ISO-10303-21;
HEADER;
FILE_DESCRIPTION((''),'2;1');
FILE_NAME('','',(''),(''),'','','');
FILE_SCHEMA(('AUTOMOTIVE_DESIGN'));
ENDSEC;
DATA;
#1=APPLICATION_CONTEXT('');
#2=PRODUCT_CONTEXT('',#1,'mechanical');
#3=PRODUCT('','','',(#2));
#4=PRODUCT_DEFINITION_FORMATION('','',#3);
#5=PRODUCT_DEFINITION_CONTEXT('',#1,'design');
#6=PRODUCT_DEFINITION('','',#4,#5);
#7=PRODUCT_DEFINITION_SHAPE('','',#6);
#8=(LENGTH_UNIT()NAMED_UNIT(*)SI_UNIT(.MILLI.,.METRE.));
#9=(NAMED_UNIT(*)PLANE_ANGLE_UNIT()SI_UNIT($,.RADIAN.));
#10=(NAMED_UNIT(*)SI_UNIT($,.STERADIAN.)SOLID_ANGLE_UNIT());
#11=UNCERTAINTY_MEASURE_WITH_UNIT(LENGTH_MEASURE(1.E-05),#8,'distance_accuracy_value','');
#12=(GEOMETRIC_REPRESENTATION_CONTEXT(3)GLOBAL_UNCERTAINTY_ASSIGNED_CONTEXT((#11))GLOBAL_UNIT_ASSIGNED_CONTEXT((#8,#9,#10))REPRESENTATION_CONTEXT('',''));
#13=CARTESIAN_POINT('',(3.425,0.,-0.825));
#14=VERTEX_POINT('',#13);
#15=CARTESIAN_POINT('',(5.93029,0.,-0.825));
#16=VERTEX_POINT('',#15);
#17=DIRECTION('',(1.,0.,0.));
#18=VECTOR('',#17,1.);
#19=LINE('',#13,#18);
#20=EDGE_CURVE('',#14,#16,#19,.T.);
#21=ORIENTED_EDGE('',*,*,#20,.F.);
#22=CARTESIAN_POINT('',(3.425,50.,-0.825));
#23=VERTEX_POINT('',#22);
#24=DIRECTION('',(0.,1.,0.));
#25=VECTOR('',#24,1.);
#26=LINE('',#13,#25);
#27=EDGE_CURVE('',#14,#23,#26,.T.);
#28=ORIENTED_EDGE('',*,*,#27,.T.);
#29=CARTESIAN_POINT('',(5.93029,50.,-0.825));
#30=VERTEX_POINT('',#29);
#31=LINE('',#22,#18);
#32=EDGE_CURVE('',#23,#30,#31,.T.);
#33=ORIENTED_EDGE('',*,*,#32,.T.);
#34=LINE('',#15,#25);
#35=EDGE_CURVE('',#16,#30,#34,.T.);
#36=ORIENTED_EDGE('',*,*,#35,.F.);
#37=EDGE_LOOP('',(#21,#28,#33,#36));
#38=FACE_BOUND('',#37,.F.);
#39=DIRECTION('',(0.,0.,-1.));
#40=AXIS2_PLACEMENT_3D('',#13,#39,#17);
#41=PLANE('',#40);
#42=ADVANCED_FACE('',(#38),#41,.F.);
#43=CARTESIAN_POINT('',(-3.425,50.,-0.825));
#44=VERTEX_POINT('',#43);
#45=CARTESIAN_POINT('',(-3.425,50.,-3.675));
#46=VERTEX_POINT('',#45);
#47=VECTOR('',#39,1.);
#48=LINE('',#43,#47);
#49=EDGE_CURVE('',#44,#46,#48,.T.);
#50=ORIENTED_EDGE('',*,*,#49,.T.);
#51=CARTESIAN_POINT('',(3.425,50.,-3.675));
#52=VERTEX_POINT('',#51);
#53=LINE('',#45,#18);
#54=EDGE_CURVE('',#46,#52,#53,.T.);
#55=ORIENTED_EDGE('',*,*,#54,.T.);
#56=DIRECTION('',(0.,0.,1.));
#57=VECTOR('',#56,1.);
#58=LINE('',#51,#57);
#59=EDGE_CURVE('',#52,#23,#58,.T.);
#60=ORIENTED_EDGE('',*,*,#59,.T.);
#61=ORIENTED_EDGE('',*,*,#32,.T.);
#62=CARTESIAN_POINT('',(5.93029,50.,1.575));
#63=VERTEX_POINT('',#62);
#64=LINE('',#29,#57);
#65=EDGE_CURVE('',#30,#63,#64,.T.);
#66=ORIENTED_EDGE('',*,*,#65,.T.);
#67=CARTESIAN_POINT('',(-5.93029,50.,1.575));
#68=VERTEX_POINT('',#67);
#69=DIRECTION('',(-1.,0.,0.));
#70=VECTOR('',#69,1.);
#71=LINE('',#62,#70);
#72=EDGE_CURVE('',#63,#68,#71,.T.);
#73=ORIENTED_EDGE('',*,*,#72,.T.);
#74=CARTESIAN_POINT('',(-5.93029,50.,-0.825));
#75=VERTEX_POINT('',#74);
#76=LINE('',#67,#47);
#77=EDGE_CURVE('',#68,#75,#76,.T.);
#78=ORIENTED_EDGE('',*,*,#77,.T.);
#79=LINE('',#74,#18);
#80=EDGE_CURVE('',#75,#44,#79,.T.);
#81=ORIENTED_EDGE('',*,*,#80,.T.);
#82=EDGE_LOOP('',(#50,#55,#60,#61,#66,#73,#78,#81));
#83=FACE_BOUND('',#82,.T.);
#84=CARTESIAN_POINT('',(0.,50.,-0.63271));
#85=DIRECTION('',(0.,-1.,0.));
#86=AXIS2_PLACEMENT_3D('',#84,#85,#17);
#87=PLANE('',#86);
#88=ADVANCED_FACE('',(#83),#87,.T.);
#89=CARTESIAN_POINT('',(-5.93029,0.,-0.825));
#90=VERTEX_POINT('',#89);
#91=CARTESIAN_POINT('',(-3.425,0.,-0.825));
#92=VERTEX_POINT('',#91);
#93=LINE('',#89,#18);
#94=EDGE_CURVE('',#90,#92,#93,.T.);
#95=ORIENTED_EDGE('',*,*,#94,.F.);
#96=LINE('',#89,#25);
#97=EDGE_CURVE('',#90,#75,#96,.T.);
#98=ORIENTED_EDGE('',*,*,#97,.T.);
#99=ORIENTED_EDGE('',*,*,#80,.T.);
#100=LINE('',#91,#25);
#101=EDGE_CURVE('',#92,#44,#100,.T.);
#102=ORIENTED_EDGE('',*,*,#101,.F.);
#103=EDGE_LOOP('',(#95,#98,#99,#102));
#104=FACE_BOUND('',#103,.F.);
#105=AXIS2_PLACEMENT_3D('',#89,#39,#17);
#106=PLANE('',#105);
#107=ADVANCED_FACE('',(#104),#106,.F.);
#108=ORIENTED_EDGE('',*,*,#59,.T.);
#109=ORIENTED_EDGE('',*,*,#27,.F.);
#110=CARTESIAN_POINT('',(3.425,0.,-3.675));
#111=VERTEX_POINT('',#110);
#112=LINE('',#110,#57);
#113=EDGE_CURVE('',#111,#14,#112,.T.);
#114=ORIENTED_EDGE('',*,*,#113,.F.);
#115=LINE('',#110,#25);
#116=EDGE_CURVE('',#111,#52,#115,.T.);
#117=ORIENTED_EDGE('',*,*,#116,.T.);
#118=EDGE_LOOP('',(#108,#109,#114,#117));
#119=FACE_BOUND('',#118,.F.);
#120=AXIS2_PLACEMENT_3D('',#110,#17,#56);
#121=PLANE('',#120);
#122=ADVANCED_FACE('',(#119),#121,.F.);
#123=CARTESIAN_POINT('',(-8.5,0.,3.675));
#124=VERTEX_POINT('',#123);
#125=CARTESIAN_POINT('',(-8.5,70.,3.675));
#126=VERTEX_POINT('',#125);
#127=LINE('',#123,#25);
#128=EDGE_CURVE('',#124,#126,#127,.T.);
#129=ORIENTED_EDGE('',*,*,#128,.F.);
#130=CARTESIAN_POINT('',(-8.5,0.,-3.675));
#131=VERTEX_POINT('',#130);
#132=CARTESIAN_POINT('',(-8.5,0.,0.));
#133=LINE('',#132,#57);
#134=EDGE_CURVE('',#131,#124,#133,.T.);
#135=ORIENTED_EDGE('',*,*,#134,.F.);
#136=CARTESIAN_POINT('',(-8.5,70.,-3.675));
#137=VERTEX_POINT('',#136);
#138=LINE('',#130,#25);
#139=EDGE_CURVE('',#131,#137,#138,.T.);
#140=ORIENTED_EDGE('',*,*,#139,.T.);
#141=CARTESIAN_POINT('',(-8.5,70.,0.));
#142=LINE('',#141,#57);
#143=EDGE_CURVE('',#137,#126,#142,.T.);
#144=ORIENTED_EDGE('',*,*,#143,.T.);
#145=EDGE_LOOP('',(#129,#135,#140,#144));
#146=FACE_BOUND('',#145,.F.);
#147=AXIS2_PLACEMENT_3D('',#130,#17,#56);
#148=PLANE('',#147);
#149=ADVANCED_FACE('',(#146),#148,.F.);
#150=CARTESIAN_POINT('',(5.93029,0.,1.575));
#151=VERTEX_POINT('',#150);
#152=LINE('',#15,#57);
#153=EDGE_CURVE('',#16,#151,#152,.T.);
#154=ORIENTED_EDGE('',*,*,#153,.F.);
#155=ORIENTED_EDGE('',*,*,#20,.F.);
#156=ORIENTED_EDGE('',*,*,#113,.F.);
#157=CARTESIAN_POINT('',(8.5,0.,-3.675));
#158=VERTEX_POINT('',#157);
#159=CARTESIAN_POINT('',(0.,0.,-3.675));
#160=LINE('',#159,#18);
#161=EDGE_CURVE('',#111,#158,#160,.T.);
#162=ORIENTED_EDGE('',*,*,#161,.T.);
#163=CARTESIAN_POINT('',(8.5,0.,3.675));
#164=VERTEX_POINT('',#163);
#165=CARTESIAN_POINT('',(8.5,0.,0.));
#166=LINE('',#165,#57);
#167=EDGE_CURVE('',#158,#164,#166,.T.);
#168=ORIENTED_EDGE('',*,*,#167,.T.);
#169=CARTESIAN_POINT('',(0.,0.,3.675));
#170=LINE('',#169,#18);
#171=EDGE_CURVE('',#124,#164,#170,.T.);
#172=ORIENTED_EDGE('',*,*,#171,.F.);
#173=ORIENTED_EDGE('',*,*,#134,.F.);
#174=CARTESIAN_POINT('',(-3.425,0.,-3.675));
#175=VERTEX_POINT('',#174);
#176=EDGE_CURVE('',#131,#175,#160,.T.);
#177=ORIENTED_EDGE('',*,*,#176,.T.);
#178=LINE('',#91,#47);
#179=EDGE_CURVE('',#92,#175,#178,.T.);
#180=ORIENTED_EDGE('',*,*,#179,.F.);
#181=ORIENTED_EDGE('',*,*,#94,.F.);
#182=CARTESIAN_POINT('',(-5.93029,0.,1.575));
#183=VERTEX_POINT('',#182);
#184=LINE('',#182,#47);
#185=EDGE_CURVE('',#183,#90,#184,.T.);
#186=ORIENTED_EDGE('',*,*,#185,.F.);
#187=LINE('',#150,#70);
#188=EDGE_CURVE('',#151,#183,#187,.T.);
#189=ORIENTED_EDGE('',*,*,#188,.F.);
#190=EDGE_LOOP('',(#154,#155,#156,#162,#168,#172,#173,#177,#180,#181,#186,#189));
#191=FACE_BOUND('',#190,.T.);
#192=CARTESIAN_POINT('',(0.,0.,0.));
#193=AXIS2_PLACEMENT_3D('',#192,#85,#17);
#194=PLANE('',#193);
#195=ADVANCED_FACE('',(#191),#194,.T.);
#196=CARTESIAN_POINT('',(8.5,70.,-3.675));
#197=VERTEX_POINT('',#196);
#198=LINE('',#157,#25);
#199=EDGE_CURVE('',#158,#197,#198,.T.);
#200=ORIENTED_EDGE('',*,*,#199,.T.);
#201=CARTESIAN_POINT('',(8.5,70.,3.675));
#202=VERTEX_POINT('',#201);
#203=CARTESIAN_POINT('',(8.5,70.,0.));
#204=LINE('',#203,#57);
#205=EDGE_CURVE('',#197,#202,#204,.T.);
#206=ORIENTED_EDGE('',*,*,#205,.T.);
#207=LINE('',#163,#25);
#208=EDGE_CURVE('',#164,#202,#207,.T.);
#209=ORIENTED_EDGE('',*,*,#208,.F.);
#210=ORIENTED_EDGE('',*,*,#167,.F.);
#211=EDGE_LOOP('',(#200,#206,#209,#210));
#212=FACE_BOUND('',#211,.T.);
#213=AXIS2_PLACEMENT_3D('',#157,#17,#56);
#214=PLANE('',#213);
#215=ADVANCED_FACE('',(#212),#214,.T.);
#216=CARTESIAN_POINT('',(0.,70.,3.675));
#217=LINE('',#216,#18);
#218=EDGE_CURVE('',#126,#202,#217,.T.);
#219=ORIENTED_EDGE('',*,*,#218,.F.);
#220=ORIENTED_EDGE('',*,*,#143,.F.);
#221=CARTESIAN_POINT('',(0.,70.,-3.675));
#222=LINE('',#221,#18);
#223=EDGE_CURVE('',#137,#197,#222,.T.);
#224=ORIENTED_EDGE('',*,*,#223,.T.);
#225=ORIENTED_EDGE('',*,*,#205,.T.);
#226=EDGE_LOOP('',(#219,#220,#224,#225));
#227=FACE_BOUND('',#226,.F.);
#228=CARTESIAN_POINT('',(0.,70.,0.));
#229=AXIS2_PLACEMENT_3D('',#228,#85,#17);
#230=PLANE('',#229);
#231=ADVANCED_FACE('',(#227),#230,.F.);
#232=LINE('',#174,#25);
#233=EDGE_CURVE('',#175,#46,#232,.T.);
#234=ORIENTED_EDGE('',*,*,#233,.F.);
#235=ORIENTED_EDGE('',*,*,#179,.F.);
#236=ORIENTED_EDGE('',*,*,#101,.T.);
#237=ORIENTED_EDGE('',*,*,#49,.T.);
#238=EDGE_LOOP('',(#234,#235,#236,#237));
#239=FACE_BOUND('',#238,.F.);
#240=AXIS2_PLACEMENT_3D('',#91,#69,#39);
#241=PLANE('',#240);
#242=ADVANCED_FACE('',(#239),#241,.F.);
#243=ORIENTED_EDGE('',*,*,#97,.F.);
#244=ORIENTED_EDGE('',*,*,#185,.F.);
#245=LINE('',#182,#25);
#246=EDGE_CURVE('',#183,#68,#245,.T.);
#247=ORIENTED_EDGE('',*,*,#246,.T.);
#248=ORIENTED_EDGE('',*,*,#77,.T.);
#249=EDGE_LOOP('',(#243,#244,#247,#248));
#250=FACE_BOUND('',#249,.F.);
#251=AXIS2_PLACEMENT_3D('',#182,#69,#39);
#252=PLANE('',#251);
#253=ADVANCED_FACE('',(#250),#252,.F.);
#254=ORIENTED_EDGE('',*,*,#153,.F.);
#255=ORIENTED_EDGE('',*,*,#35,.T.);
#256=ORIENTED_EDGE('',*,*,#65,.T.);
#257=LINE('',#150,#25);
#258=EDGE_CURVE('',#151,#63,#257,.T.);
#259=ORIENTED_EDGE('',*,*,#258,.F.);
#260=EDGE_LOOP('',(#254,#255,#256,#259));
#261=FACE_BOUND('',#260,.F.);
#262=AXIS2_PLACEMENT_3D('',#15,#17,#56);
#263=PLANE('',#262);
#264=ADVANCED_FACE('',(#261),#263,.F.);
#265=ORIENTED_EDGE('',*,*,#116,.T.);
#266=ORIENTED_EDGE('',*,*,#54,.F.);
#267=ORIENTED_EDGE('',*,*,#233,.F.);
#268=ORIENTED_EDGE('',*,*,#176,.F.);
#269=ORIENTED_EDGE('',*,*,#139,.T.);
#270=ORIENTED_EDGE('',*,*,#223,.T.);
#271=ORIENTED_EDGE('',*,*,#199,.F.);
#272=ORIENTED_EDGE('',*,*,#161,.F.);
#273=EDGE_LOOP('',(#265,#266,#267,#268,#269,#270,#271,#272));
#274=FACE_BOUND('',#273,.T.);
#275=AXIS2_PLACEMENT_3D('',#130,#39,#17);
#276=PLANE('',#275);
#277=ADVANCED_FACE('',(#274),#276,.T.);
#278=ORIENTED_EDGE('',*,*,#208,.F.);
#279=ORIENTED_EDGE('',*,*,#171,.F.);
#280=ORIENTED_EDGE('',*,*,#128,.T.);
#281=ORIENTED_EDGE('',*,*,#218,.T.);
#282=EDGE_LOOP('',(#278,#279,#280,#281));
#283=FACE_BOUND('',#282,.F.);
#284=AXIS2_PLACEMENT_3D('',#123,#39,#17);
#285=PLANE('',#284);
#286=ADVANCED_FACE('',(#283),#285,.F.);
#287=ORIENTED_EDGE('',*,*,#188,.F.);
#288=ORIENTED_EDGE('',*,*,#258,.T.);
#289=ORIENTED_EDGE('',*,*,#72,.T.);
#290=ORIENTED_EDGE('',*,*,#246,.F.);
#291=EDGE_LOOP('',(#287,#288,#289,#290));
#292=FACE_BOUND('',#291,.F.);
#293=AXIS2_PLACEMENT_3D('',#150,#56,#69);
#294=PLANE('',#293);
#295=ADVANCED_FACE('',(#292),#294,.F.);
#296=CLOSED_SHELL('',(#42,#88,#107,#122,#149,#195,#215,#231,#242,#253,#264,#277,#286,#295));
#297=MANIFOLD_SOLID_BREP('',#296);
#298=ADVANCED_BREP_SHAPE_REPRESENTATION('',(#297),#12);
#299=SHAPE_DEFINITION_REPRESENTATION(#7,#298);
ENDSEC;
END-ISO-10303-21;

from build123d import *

# Parameters (mm, degrees)
F0_W     = 17
F0_H     = 7.35
F1_DEPTH = 70
F3_DEPTH = 50


with BuildPart() as f1:
    # F0 (on Front) → F1 (new body)
    with BuildSketch(Plane.XZ):
        Rectangle(F0_W, F0_H)
    extrude(amount=-F1_DEPTH)

    # F2 (on face) → F3 (cut)
    with BuildSketch(Plane.XZ):
        Polygon((-3.425, -0.825), (-3.425, -3.675), (3.425, -3.675), (3.425, -0.825), (5.93029, -0.825), (5.93029, 1.575), (-5.93029, 1.575), (-5.93029, -0.825), align=None)
    extrude(amount=-F3_DEPTH, mode=Mode.SUBTRACT)


solid = f1.part
